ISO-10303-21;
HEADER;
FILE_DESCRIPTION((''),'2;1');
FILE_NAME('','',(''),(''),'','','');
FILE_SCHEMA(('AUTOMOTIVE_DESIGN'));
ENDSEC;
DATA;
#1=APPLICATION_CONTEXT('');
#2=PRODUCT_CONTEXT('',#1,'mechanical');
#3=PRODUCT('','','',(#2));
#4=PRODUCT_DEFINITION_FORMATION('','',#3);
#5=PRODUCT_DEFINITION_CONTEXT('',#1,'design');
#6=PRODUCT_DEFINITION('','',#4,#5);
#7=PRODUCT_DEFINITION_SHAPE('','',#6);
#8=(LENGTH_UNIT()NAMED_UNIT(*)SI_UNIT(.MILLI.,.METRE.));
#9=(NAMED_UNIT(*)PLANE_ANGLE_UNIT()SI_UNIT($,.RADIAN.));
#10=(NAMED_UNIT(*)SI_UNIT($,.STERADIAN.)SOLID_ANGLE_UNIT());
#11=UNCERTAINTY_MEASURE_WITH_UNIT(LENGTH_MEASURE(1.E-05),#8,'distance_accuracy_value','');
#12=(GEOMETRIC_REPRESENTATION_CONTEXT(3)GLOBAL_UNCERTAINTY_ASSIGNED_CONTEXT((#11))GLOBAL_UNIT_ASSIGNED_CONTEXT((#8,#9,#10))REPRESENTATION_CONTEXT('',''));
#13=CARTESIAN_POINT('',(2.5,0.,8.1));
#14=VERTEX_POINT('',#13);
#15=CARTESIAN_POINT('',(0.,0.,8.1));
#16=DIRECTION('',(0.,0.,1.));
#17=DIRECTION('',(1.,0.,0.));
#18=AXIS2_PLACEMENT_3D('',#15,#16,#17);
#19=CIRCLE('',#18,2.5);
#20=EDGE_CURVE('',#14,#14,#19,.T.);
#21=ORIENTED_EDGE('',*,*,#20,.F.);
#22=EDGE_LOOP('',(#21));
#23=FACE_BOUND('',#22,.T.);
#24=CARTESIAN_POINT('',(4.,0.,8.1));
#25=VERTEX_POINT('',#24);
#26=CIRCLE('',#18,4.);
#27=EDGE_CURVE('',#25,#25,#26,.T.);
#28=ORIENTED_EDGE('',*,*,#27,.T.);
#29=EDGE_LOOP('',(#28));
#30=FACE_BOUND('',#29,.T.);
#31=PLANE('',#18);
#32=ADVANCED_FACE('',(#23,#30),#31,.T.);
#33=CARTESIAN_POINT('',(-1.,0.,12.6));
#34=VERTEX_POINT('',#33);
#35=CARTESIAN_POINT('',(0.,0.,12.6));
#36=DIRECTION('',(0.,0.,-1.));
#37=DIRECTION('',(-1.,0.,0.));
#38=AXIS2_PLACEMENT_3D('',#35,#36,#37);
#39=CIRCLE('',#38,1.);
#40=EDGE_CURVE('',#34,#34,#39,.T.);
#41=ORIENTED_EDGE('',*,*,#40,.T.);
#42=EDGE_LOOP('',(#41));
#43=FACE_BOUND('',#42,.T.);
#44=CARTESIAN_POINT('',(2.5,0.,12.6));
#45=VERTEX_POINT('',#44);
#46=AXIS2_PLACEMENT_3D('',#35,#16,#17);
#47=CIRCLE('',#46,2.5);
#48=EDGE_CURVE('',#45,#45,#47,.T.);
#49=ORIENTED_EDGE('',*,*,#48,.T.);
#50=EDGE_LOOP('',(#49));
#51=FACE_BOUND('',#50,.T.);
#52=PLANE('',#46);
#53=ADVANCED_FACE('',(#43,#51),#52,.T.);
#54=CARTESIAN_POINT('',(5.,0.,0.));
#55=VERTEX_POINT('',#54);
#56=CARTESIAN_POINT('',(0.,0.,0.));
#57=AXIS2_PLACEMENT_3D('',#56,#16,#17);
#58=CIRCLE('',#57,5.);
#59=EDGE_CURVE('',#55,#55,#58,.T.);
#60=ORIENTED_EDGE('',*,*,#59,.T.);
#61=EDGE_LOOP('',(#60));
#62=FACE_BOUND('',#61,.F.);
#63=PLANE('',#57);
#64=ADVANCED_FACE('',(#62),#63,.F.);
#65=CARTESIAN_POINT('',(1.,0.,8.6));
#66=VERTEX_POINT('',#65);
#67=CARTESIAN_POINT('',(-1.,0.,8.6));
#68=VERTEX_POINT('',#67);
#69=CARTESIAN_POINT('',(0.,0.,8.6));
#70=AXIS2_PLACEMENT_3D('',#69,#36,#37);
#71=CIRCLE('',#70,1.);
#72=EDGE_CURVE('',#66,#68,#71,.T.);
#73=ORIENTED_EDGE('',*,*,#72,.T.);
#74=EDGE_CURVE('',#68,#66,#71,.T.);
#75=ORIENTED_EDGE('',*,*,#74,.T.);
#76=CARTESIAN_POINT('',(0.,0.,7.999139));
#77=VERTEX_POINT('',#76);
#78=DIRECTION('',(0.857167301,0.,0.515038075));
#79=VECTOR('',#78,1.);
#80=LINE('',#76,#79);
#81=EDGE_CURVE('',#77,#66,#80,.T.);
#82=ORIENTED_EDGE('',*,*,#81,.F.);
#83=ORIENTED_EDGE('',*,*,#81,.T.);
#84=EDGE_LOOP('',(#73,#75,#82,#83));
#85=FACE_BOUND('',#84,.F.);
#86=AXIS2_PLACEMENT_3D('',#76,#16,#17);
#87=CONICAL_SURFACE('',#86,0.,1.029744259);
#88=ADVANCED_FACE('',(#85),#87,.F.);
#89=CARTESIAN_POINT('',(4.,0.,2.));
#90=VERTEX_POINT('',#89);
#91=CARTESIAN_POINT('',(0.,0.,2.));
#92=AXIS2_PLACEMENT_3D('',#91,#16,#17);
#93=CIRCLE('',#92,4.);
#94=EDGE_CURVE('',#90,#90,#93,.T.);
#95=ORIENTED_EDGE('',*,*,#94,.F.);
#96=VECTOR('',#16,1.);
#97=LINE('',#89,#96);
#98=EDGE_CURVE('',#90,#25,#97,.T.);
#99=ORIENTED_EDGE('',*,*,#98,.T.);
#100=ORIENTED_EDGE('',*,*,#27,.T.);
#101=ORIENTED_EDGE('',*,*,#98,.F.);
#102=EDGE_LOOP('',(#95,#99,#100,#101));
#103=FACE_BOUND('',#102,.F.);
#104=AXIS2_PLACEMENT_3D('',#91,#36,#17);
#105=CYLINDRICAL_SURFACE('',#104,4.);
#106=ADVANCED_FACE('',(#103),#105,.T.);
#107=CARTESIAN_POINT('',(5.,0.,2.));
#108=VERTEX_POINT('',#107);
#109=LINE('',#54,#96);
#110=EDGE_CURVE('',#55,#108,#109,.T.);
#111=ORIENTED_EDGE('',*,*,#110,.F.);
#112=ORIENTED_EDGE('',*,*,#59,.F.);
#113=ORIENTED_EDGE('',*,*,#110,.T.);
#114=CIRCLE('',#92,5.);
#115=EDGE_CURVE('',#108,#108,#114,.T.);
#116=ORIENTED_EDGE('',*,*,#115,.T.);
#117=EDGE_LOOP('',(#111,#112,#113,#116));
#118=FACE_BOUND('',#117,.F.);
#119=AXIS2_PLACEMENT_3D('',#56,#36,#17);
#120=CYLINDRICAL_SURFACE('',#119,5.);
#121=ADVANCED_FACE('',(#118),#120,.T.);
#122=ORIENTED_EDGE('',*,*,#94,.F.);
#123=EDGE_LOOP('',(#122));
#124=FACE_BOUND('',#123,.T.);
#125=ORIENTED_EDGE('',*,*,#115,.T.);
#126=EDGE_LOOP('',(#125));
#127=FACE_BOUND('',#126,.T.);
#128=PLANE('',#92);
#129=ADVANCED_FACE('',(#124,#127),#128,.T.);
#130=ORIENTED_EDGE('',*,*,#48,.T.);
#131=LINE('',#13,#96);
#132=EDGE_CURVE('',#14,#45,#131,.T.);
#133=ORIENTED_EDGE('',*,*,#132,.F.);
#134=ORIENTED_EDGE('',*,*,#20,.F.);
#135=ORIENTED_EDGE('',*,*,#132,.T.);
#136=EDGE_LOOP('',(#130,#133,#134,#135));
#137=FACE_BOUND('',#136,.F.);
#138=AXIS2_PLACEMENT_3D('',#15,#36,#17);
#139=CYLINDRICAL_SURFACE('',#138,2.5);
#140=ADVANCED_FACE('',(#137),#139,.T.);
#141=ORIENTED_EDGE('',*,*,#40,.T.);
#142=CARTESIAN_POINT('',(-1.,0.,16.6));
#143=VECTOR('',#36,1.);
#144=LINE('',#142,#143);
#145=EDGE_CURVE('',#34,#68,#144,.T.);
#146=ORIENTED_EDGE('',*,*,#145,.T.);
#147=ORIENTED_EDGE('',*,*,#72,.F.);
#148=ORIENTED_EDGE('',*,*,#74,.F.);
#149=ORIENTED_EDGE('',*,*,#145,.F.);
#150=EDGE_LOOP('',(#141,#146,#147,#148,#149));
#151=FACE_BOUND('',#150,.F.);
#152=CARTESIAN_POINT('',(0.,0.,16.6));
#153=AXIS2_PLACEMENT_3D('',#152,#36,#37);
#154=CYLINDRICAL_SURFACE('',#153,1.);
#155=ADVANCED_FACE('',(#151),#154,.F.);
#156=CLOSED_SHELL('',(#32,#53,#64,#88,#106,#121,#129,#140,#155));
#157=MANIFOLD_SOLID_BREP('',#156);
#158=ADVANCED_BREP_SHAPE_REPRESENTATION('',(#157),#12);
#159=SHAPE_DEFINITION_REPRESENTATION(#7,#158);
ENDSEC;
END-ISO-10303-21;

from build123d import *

# Parameters (mm, degrees)
F0_R     = 5
F1_DEPTH = 2
F2_R     = 4
F3_DEPTH = 6.1
F4_R     = 2.5
F5_DEPTH = 4.5
F7_D     = 2
F7_DEPTH = 4
F7_TIP   = 0.600860619


with BuildPart() as f1:
    # F0 (on Top) → F1 (new body)
    with BuildSketch(Plane.XY):
        Circle(F0_R)
    extrude(amount=F1_DEPTH)

    # F2 (on face) → F3 (join)
    with BuildSketch(Plane.XY.offset(2)):
        Circle(F2_R)
    extrude(amount=F3_DEPTH)

    # F4 (on face) → F5 (join)
    with BuildSketch(Plane.XY.offset(8.1)):
        Circle(F4_R)
    extrude(amount=F5_DEPTH)

    # F7
    with Locations(Plane.XY.offset(12.6)):
        with Locations((0, 0)):
            Hole(F7_D / 2, depth=F7_DEPTH)
            with Locations((0, 0, -(F7_DEPTH + F7_TIP / 2))):  # 118° drill point
                Cone(0, F7_D / 2, F7_TIP, mode=Mode.SUBTRACT)


solid = f1.part
